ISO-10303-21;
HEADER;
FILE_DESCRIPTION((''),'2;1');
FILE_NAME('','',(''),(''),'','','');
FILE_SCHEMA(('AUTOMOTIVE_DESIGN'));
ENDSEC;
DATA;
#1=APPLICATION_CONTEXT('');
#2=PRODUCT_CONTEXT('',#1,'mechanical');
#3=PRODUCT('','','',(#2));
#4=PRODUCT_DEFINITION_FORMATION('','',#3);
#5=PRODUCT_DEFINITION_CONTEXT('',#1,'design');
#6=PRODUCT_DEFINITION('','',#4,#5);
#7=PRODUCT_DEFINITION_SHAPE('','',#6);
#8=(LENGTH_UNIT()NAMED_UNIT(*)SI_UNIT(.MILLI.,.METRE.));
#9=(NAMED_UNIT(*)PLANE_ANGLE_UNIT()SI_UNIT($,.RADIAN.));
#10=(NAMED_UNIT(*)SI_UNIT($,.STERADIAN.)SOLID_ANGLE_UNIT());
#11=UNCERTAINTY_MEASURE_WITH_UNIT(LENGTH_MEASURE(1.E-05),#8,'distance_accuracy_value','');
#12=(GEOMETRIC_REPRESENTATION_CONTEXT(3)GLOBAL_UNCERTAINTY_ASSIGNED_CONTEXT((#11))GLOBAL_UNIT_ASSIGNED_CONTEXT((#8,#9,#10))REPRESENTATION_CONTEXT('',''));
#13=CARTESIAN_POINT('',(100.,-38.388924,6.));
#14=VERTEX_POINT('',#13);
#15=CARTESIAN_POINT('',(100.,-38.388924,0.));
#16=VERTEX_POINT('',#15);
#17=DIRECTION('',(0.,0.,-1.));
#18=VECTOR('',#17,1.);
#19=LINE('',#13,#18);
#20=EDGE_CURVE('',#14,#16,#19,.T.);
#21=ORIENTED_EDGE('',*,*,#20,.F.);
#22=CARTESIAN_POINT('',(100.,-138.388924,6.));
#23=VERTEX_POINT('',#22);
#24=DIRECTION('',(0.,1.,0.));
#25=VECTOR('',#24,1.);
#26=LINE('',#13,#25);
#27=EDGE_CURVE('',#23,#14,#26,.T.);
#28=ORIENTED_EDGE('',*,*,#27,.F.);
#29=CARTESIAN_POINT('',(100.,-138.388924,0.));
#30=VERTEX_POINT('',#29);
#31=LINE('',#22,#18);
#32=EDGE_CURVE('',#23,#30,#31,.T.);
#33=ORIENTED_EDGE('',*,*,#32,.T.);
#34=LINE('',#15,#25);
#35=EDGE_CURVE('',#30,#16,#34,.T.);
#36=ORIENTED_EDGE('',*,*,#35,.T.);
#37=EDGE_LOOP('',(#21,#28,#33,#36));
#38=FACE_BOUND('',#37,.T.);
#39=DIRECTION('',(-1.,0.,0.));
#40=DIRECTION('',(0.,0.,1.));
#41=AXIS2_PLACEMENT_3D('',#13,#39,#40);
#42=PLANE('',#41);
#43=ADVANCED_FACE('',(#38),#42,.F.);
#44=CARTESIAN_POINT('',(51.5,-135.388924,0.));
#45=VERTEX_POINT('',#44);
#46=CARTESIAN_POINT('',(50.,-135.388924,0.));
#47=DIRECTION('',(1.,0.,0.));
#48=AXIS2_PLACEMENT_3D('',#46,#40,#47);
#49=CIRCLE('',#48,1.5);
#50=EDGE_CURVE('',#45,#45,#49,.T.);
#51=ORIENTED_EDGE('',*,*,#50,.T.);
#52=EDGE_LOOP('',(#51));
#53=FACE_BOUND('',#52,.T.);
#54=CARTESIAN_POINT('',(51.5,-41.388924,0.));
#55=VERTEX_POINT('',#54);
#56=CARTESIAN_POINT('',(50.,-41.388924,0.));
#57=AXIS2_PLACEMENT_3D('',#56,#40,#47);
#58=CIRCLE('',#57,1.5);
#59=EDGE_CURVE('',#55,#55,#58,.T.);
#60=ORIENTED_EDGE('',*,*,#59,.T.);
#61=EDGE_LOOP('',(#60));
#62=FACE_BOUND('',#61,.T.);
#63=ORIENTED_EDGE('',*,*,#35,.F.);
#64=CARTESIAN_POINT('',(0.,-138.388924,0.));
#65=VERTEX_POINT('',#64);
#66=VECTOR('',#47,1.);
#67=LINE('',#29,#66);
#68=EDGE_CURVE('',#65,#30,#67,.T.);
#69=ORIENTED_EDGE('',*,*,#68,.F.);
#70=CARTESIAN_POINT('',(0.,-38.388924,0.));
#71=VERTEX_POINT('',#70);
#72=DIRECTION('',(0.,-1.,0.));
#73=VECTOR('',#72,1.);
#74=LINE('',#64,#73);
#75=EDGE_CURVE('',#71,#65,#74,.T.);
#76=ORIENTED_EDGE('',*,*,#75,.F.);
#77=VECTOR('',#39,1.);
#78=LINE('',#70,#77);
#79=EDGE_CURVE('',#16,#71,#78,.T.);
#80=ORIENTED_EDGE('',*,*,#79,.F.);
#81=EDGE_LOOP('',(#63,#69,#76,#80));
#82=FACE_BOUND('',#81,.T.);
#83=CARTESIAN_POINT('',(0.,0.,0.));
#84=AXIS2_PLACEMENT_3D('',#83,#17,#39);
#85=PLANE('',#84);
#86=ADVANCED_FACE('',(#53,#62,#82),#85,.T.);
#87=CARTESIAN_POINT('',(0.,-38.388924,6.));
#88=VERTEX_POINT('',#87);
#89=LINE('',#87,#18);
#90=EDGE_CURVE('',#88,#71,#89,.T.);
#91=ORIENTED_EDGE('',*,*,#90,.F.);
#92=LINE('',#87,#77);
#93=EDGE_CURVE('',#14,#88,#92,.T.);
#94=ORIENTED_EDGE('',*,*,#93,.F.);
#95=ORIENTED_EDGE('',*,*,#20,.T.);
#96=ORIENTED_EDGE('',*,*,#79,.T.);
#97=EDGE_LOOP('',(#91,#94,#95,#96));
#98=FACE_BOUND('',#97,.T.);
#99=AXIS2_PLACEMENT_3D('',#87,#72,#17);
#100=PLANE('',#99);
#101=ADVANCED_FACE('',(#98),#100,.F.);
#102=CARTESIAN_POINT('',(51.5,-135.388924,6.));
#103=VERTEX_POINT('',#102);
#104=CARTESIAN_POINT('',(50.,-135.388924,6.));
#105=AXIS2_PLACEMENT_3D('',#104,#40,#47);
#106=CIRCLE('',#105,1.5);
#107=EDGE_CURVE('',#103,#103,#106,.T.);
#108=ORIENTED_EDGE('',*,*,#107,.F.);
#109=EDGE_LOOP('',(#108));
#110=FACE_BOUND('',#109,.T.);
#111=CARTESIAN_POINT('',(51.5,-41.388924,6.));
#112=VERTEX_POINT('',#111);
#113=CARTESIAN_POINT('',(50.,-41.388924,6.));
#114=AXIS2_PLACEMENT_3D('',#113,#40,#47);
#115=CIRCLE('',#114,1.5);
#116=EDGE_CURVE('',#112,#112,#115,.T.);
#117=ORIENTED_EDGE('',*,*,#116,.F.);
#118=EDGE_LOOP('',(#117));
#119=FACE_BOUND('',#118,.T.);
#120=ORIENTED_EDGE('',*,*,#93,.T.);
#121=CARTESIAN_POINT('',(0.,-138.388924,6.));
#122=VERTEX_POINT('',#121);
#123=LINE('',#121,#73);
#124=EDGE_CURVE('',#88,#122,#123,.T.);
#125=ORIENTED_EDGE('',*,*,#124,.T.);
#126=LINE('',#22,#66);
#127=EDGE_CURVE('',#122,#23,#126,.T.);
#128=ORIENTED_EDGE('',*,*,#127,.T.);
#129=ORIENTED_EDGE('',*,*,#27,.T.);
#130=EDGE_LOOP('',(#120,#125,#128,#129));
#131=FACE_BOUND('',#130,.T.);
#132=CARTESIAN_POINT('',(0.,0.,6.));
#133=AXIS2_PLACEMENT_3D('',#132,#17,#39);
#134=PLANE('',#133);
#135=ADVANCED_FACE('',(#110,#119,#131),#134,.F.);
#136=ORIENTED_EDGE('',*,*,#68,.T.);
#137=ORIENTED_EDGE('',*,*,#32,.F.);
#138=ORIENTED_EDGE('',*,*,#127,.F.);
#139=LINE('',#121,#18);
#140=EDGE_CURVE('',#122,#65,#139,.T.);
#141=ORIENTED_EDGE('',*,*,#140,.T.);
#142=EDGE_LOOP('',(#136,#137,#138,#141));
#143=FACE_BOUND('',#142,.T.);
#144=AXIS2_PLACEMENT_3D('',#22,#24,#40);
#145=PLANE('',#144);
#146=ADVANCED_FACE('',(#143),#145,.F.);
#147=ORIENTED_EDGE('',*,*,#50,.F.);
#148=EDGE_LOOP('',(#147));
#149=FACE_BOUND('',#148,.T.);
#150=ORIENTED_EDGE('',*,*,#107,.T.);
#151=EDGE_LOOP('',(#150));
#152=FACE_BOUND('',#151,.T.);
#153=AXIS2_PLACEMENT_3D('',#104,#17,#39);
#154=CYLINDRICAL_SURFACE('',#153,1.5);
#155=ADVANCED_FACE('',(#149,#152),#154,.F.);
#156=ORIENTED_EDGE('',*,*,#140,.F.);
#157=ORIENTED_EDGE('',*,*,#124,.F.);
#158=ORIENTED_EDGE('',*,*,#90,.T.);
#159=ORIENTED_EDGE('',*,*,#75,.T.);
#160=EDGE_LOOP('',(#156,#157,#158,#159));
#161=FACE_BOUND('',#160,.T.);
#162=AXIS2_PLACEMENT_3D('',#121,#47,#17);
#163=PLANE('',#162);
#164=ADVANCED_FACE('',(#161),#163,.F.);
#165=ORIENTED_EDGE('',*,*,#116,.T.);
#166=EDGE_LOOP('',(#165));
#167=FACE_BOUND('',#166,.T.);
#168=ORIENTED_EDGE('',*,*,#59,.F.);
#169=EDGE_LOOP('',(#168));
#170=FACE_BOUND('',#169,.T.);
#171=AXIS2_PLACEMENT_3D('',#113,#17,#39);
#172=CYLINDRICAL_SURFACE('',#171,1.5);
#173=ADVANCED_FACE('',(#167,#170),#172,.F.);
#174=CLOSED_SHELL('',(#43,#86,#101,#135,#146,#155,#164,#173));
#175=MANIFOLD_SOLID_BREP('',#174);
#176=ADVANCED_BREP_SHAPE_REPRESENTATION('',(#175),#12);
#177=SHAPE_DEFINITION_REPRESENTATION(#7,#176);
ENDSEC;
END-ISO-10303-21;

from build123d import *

# Parameters (mm, degrees)
SKETCH1_W           = 100
SKETCH1_H           = 100
SKETCH1_R           = 1.5
BOSS_EXTRUDE1_DEPTH = 6


with BuildPart() as part:
    # Sketch1 → Boss-Extrude1 (new body)
    with BuildSketch(Plane.XY):
        with Locations((50, -88.388923904)):
            Rectangle(SKETCH1_W, SKETCH1_H)
        with Locations((50, -41.388923904)):
            Circle(SKETCH1_R, mode=Mode.SUBTRACT)
        with Locations((50, -135.388923904)):
            Circle(SKETCH1_R, mode=Mode.SUBTRACT)
    extrude(amount=BOSS_EXTRUDE1_DEPTH)


solid = part.part
